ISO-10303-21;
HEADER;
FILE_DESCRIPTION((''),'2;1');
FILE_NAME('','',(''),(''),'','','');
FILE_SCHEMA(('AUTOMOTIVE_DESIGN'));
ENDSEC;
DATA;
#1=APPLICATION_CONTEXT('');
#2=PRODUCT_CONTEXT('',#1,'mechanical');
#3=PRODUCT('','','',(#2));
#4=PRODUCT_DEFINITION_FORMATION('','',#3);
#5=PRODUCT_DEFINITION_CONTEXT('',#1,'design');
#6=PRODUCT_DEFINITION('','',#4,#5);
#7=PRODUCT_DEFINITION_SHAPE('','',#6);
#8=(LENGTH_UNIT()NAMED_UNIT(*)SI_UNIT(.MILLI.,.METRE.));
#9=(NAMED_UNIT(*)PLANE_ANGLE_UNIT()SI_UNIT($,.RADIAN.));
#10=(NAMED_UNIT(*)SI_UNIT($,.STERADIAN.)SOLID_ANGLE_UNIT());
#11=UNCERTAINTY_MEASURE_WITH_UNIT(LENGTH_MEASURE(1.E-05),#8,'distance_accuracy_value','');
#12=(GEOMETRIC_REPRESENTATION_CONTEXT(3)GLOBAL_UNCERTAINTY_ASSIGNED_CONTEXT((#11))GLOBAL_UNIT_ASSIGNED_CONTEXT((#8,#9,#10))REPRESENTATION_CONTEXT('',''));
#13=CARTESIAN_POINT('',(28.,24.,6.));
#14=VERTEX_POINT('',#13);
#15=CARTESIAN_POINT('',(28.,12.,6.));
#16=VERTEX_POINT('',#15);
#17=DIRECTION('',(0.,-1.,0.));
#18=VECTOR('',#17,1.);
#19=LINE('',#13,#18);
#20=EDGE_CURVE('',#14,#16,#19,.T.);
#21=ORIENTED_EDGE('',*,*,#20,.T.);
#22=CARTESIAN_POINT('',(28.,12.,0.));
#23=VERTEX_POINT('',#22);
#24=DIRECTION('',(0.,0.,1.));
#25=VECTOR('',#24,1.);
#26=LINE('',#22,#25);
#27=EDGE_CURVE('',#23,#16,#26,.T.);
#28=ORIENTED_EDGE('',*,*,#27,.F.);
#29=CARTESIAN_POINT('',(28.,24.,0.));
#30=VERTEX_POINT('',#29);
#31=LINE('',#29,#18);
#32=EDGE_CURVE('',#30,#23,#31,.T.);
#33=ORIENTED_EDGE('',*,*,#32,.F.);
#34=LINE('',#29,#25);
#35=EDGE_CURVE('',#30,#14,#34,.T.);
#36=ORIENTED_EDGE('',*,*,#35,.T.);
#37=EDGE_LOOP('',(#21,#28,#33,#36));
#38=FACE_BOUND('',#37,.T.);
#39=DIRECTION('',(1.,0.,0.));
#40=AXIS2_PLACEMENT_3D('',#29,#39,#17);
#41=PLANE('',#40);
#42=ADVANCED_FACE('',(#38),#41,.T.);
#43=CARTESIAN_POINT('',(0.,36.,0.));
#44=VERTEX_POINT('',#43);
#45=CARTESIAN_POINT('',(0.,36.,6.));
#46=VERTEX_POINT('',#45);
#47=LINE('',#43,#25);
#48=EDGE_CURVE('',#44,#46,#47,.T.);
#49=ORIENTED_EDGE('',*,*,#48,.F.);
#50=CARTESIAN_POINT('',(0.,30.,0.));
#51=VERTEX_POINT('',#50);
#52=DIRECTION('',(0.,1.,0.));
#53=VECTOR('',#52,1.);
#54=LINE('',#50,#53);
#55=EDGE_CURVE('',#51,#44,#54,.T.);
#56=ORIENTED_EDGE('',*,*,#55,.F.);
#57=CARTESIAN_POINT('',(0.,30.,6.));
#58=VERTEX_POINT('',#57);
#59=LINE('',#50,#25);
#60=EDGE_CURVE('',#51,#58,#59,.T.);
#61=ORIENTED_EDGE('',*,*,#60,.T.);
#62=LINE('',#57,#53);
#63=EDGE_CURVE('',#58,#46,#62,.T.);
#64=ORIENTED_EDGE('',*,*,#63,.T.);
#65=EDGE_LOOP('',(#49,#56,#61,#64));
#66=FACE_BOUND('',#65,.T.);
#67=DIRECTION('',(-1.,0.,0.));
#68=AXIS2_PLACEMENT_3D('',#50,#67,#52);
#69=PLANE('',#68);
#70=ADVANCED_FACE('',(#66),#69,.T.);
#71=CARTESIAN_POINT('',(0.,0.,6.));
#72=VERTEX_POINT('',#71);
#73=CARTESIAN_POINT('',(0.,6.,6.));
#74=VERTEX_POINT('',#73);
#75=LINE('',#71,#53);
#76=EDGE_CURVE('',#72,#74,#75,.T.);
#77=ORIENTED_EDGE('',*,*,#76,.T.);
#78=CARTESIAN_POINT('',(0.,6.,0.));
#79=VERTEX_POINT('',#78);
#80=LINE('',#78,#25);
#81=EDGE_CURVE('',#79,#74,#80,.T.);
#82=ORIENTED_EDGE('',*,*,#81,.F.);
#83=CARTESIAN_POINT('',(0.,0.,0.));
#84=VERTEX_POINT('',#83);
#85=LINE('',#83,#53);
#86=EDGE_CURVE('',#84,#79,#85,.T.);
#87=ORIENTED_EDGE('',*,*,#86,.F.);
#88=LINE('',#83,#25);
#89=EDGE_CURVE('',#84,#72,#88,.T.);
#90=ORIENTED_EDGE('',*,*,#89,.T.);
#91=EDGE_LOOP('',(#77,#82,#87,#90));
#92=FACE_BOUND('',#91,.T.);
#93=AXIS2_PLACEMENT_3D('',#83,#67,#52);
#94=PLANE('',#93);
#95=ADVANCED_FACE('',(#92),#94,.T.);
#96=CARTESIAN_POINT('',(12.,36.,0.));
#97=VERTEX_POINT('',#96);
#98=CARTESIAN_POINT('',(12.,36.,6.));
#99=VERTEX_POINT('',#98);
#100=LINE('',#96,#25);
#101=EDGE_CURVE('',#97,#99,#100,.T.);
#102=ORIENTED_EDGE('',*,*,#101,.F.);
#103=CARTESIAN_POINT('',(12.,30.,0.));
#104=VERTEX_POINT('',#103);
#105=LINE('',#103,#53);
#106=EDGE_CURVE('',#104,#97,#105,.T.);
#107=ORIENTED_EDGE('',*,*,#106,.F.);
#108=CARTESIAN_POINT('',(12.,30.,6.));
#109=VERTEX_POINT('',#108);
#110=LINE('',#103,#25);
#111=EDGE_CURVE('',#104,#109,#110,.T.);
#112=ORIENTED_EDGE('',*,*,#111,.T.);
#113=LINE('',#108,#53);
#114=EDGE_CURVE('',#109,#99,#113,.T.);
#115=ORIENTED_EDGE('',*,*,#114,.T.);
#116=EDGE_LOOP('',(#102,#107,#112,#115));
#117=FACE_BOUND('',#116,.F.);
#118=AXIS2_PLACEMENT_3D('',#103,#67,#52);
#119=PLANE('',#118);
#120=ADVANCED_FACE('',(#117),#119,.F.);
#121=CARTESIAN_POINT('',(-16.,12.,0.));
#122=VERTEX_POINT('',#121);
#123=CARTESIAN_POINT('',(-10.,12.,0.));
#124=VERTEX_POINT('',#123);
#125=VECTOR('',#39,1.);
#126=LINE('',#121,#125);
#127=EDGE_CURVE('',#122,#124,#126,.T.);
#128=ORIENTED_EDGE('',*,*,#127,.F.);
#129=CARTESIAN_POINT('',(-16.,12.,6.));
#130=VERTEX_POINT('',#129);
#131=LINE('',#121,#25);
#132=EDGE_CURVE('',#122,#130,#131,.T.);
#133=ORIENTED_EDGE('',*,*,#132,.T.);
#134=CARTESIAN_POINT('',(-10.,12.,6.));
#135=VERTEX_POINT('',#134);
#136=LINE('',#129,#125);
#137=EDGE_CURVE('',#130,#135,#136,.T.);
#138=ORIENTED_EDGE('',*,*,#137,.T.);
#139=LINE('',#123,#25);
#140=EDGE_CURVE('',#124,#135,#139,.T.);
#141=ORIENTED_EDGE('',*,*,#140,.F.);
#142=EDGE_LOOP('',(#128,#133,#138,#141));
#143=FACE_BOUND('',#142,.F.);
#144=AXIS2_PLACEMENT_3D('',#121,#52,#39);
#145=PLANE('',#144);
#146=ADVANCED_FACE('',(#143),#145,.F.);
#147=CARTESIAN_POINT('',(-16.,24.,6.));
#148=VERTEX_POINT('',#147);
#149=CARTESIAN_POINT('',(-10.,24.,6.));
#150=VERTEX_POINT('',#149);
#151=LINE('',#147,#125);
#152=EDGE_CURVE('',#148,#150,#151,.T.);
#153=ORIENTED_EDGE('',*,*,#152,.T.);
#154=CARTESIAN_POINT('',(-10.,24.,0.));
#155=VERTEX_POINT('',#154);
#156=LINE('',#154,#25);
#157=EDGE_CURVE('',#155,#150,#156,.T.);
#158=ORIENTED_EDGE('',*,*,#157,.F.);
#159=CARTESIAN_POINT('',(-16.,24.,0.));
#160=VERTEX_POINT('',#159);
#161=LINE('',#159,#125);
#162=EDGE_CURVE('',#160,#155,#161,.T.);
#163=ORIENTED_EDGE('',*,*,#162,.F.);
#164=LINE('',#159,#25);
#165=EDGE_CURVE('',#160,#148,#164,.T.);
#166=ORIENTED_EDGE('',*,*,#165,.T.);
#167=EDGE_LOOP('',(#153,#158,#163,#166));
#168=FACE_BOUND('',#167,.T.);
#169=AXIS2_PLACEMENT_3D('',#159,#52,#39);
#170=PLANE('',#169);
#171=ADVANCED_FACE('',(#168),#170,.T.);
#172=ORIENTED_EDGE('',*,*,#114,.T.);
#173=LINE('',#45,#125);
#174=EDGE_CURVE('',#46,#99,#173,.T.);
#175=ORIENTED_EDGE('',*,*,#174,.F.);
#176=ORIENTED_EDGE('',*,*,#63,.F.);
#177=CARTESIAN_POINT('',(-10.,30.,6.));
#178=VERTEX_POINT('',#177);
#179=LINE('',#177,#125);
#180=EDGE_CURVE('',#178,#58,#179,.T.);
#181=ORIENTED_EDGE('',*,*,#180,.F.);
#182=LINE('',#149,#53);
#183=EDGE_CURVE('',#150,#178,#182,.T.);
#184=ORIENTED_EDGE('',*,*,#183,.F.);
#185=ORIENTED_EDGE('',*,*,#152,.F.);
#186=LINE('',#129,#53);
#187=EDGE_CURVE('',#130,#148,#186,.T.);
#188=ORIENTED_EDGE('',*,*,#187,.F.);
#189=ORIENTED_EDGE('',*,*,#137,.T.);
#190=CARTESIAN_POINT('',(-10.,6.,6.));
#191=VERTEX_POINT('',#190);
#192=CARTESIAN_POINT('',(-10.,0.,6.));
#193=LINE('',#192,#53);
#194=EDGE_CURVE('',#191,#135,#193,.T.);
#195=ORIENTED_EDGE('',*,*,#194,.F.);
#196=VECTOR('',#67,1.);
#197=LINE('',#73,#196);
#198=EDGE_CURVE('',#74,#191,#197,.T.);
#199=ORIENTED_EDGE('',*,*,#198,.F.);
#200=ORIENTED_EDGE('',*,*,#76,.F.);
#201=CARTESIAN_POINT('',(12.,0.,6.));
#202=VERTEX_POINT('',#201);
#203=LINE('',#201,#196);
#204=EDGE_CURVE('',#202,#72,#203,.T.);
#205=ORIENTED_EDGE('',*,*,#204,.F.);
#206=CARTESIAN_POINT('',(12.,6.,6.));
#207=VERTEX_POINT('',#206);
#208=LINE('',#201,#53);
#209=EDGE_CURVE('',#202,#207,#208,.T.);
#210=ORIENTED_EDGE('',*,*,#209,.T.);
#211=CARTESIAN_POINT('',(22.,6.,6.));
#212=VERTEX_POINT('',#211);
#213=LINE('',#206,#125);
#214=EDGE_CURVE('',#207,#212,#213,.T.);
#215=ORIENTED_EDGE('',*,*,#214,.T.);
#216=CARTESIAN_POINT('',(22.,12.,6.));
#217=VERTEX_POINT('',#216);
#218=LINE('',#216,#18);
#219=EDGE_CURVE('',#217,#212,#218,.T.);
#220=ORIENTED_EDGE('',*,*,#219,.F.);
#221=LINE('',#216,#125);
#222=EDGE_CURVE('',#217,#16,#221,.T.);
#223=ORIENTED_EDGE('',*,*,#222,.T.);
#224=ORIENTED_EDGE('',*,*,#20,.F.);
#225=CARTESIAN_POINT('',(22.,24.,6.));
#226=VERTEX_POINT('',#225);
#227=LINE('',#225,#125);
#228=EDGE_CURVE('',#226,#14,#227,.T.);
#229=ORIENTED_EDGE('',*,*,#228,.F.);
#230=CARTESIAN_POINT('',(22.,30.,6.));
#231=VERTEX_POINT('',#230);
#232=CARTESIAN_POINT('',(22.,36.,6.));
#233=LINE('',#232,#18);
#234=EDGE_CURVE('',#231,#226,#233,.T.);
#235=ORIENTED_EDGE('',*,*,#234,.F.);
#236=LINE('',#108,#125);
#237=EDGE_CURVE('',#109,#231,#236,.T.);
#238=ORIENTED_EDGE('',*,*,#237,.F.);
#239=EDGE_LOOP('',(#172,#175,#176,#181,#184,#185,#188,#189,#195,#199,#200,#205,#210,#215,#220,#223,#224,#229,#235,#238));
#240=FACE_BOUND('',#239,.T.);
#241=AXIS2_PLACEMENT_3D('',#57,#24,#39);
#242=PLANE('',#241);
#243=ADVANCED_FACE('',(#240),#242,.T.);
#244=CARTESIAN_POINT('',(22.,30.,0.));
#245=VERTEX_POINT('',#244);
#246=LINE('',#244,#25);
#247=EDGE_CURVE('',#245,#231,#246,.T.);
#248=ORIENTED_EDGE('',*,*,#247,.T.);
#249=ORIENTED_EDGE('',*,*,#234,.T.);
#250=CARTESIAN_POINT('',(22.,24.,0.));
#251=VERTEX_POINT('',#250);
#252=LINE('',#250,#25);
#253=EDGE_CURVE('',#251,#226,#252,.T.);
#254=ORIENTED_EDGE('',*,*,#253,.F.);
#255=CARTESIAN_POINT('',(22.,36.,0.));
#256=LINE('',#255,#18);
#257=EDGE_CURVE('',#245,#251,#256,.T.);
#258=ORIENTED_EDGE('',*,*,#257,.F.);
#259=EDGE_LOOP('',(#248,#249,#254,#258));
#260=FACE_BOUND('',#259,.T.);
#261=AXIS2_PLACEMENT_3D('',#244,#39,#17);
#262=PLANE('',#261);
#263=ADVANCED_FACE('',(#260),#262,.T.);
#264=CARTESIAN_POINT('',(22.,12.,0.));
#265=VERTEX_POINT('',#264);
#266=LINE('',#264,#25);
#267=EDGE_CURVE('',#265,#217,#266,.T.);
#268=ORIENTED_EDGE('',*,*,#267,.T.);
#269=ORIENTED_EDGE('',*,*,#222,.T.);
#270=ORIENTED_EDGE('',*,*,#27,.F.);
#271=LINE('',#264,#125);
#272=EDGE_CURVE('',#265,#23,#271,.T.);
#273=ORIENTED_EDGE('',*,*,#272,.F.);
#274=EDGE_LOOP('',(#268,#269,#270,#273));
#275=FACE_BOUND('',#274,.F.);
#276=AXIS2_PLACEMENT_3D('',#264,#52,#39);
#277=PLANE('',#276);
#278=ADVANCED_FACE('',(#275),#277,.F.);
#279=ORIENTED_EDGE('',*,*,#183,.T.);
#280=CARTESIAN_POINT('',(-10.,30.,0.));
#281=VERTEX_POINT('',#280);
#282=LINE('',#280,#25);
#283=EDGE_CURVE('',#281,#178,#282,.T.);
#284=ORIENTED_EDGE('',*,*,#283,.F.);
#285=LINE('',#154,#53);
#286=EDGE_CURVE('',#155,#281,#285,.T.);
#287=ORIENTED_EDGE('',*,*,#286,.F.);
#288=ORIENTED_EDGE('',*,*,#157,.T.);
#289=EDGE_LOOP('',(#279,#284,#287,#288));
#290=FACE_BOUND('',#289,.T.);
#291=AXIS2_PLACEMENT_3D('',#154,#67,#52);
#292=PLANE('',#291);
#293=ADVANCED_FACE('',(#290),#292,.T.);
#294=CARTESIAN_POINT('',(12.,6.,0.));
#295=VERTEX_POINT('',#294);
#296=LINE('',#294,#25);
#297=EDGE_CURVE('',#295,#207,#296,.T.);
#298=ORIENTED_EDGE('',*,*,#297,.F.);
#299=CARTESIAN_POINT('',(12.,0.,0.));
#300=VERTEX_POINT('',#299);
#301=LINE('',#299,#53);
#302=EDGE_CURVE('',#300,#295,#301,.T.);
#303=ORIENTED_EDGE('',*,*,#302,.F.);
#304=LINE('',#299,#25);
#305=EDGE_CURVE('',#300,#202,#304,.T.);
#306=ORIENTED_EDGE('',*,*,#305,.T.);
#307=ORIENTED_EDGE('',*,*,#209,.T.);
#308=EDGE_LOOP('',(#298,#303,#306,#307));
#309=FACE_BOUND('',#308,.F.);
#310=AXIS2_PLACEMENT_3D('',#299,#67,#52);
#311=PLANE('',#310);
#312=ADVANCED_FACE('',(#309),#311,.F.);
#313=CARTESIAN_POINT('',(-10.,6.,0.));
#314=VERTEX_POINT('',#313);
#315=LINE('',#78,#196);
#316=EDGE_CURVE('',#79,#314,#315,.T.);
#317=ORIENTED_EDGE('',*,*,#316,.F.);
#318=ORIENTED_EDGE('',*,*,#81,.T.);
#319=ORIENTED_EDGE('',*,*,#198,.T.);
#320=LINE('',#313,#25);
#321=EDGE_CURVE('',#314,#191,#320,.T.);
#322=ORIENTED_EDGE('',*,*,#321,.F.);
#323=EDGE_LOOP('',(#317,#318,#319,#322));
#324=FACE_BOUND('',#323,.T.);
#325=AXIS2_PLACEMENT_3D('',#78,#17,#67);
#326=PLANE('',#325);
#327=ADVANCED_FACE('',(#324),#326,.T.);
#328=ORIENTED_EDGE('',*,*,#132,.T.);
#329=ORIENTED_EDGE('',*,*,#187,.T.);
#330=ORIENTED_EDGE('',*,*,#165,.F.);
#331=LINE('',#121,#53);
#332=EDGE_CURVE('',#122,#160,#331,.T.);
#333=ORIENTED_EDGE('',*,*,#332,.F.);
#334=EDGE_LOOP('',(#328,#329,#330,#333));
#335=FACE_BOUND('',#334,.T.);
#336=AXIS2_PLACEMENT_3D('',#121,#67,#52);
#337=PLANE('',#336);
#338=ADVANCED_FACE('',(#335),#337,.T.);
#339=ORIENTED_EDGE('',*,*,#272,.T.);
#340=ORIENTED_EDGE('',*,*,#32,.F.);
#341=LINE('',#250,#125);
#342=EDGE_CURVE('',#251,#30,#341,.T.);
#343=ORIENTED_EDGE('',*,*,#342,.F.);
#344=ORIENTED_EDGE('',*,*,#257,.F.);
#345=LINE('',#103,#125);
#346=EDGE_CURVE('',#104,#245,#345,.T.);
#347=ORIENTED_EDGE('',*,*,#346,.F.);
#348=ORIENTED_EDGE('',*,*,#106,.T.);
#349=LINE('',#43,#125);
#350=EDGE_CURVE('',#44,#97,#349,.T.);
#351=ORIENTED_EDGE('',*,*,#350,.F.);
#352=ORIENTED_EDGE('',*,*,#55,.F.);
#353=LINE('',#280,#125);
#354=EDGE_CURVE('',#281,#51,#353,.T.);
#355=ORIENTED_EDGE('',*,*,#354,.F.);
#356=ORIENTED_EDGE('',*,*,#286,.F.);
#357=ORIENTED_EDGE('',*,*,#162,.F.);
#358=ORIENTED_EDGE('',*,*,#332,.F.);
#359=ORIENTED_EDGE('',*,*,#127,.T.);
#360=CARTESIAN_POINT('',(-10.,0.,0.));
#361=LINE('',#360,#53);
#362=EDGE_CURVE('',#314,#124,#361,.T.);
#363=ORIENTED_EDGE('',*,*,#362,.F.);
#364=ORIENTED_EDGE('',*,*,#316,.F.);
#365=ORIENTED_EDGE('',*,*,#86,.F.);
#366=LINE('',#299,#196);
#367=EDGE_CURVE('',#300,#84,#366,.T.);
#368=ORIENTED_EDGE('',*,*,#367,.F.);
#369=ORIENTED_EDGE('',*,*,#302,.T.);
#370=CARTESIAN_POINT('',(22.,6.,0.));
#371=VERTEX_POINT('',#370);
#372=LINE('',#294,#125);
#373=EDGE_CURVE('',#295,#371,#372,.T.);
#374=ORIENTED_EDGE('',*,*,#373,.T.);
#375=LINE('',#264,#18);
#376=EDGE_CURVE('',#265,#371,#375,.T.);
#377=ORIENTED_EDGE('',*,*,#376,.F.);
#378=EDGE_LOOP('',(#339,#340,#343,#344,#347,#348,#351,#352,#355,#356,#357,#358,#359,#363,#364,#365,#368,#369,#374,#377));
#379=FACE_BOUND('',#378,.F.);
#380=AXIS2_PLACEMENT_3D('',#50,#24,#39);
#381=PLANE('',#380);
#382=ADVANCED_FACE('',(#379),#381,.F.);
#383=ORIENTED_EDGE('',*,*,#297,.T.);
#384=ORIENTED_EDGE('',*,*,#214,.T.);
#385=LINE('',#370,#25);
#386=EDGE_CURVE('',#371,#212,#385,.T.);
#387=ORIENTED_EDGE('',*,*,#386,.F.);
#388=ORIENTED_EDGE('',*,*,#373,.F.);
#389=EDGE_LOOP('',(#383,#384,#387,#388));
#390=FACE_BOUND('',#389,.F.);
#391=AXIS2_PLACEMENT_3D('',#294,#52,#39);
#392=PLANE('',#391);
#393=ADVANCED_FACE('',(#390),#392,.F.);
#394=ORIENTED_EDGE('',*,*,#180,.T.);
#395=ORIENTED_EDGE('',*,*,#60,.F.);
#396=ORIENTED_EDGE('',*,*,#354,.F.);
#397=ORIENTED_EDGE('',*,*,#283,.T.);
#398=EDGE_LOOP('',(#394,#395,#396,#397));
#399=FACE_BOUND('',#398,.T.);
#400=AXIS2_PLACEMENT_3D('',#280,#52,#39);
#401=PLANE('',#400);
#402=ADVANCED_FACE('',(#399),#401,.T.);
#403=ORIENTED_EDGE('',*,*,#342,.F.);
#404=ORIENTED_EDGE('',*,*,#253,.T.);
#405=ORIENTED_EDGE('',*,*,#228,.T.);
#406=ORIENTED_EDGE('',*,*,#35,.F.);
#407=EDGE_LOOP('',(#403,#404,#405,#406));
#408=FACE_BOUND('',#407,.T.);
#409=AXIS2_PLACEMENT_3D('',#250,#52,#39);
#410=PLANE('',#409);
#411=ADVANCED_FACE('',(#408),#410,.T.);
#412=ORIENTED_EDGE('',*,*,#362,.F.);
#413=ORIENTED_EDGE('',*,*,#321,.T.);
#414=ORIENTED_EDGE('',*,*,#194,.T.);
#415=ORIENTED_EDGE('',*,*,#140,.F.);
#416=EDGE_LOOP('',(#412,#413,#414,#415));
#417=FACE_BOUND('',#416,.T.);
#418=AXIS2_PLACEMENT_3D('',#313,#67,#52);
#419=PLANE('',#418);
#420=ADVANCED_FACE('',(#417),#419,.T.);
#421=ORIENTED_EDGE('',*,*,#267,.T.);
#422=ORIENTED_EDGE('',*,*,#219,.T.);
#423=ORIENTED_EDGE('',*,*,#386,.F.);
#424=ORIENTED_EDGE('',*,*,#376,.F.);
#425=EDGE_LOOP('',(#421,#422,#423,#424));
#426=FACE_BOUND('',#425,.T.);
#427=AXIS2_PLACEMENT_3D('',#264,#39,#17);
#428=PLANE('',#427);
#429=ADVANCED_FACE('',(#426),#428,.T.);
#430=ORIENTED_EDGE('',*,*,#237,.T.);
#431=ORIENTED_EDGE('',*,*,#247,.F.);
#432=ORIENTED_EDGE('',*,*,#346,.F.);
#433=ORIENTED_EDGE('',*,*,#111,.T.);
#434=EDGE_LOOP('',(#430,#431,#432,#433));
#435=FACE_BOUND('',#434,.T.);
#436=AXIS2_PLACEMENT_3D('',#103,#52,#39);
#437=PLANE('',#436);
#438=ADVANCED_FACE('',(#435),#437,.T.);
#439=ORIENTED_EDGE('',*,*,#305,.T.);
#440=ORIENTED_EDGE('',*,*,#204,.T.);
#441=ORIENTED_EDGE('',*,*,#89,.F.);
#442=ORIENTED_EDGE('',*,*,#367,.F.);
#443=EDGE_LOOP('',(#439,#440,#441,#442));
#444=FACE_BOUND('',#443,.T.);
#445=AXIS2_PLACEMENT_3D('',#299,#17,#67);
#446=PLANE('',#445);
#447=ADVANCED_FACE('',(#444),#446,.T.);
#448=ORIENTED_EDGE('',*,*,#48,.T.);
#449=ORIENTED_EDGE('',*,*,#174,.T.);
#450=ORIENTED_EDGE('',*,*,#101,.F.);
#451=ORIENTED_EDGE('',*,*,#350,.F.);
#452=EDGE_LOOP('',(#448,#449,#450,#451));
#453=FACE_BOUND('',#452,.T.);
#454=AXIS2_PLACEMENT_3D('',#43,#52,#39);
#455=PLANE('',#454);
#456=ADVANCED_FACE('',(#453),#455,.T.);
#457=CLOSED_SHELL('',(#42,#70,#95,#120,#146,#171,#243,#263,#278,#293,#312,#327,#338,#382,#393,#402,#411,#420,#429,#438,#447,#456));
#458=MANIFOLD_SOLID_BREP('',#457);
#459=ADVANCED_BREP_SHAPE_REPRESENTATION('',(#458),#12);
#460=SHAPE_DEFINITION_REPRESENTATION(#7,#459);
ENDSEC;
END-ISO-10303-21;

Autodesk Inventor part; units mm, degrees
ref_plane "YZ Plane" through (0, 0, 0) normal (1, 0, 0) x (0, 1, 0)
ref_plane "XZ Plane" through (0, 0, 0) normal (0, 1, 0) x (-1, 0, 0)
ref_plane "XY Plane" through (0, 0, 0) normal (0, 0, 1) x (1, 0, 0)
ref_plane "Work Plane1" through (0, 30, 0) normal (0, 0, 1) x (1, 0, 0)
sketch "Sketch1" plane through (0, 30, 0) normal (0, 0, 1) x (1, 0, 0)
  line L0 (0, 6) -> (12, 6) projected
  line L1 (0, 0) -> (0, 6) projected
  line L2 (12, 0) -> (0, 0) projected
  line L3 (12, 0) -> (12, 6) projected
  line L4 (28, -6) -> (28, -18) projected
  line L5 (22, -6) -> (28, -6) projected
  line L6 (22, -18) -> (22, -6) projected
  line L7 (22, -18) -> (28, -18) projected
  line L8 (0, -24) -> (12, -24) projected
  line L9 (0, -30) -> (0, -24) projected
  line L10 (12, -30) -> (0, -30) projected
  line L11 (12, -30) -> (12, -24) projected
  line L12 (-10, -6) -> (-10, -18) projected
  line L13 (-16, -6) -> (-10, -6) projected
  line L14 (-16, -18) -> (-16, -6) projected
  line L15 (-16, -18) -> (-10, -18) projected
  line L16 (-10, 0) -> (0, 0) projected
  line L17 (12, 0) -> (22, 0) projected
  line L18 (22, 6) -> (22, -6) projected
  line L19 (22, -18) -> (22, -30) projected
  line L20 (12, -24) -> (22, -24) projected
  line L21 (0, -24) -> (-10, -24) projected
  line L22 (-10, -30) -> (-10, -18) projected
  line L23 (-10, -6) -> (-10, 6) projected
extrude "Extrusion1" add sketch "Sketch1" along normal blind 6
equation "\"BendRadius\" = Thickness"
equation "\"BendReliefWidth\" = Thickness"
equation "\"BendReliefDepth\" = 0.5 * Thickness"
equation "\"CornerReliefSize\" = 4 * Thickness"
equation "\"MinimumRemnant\" = 2 * Thickness"
equation "\"TransitionRadius\" = BendRadius"
equation "\"JacobiRadiusSize\" = Thickness"
equation "\"GapSize\" = Thickness"
equation "\"Thickness\" = 0.5"
properties part number "onderkantBovenkant knoppendoosje" material "Wood (Birch)"
